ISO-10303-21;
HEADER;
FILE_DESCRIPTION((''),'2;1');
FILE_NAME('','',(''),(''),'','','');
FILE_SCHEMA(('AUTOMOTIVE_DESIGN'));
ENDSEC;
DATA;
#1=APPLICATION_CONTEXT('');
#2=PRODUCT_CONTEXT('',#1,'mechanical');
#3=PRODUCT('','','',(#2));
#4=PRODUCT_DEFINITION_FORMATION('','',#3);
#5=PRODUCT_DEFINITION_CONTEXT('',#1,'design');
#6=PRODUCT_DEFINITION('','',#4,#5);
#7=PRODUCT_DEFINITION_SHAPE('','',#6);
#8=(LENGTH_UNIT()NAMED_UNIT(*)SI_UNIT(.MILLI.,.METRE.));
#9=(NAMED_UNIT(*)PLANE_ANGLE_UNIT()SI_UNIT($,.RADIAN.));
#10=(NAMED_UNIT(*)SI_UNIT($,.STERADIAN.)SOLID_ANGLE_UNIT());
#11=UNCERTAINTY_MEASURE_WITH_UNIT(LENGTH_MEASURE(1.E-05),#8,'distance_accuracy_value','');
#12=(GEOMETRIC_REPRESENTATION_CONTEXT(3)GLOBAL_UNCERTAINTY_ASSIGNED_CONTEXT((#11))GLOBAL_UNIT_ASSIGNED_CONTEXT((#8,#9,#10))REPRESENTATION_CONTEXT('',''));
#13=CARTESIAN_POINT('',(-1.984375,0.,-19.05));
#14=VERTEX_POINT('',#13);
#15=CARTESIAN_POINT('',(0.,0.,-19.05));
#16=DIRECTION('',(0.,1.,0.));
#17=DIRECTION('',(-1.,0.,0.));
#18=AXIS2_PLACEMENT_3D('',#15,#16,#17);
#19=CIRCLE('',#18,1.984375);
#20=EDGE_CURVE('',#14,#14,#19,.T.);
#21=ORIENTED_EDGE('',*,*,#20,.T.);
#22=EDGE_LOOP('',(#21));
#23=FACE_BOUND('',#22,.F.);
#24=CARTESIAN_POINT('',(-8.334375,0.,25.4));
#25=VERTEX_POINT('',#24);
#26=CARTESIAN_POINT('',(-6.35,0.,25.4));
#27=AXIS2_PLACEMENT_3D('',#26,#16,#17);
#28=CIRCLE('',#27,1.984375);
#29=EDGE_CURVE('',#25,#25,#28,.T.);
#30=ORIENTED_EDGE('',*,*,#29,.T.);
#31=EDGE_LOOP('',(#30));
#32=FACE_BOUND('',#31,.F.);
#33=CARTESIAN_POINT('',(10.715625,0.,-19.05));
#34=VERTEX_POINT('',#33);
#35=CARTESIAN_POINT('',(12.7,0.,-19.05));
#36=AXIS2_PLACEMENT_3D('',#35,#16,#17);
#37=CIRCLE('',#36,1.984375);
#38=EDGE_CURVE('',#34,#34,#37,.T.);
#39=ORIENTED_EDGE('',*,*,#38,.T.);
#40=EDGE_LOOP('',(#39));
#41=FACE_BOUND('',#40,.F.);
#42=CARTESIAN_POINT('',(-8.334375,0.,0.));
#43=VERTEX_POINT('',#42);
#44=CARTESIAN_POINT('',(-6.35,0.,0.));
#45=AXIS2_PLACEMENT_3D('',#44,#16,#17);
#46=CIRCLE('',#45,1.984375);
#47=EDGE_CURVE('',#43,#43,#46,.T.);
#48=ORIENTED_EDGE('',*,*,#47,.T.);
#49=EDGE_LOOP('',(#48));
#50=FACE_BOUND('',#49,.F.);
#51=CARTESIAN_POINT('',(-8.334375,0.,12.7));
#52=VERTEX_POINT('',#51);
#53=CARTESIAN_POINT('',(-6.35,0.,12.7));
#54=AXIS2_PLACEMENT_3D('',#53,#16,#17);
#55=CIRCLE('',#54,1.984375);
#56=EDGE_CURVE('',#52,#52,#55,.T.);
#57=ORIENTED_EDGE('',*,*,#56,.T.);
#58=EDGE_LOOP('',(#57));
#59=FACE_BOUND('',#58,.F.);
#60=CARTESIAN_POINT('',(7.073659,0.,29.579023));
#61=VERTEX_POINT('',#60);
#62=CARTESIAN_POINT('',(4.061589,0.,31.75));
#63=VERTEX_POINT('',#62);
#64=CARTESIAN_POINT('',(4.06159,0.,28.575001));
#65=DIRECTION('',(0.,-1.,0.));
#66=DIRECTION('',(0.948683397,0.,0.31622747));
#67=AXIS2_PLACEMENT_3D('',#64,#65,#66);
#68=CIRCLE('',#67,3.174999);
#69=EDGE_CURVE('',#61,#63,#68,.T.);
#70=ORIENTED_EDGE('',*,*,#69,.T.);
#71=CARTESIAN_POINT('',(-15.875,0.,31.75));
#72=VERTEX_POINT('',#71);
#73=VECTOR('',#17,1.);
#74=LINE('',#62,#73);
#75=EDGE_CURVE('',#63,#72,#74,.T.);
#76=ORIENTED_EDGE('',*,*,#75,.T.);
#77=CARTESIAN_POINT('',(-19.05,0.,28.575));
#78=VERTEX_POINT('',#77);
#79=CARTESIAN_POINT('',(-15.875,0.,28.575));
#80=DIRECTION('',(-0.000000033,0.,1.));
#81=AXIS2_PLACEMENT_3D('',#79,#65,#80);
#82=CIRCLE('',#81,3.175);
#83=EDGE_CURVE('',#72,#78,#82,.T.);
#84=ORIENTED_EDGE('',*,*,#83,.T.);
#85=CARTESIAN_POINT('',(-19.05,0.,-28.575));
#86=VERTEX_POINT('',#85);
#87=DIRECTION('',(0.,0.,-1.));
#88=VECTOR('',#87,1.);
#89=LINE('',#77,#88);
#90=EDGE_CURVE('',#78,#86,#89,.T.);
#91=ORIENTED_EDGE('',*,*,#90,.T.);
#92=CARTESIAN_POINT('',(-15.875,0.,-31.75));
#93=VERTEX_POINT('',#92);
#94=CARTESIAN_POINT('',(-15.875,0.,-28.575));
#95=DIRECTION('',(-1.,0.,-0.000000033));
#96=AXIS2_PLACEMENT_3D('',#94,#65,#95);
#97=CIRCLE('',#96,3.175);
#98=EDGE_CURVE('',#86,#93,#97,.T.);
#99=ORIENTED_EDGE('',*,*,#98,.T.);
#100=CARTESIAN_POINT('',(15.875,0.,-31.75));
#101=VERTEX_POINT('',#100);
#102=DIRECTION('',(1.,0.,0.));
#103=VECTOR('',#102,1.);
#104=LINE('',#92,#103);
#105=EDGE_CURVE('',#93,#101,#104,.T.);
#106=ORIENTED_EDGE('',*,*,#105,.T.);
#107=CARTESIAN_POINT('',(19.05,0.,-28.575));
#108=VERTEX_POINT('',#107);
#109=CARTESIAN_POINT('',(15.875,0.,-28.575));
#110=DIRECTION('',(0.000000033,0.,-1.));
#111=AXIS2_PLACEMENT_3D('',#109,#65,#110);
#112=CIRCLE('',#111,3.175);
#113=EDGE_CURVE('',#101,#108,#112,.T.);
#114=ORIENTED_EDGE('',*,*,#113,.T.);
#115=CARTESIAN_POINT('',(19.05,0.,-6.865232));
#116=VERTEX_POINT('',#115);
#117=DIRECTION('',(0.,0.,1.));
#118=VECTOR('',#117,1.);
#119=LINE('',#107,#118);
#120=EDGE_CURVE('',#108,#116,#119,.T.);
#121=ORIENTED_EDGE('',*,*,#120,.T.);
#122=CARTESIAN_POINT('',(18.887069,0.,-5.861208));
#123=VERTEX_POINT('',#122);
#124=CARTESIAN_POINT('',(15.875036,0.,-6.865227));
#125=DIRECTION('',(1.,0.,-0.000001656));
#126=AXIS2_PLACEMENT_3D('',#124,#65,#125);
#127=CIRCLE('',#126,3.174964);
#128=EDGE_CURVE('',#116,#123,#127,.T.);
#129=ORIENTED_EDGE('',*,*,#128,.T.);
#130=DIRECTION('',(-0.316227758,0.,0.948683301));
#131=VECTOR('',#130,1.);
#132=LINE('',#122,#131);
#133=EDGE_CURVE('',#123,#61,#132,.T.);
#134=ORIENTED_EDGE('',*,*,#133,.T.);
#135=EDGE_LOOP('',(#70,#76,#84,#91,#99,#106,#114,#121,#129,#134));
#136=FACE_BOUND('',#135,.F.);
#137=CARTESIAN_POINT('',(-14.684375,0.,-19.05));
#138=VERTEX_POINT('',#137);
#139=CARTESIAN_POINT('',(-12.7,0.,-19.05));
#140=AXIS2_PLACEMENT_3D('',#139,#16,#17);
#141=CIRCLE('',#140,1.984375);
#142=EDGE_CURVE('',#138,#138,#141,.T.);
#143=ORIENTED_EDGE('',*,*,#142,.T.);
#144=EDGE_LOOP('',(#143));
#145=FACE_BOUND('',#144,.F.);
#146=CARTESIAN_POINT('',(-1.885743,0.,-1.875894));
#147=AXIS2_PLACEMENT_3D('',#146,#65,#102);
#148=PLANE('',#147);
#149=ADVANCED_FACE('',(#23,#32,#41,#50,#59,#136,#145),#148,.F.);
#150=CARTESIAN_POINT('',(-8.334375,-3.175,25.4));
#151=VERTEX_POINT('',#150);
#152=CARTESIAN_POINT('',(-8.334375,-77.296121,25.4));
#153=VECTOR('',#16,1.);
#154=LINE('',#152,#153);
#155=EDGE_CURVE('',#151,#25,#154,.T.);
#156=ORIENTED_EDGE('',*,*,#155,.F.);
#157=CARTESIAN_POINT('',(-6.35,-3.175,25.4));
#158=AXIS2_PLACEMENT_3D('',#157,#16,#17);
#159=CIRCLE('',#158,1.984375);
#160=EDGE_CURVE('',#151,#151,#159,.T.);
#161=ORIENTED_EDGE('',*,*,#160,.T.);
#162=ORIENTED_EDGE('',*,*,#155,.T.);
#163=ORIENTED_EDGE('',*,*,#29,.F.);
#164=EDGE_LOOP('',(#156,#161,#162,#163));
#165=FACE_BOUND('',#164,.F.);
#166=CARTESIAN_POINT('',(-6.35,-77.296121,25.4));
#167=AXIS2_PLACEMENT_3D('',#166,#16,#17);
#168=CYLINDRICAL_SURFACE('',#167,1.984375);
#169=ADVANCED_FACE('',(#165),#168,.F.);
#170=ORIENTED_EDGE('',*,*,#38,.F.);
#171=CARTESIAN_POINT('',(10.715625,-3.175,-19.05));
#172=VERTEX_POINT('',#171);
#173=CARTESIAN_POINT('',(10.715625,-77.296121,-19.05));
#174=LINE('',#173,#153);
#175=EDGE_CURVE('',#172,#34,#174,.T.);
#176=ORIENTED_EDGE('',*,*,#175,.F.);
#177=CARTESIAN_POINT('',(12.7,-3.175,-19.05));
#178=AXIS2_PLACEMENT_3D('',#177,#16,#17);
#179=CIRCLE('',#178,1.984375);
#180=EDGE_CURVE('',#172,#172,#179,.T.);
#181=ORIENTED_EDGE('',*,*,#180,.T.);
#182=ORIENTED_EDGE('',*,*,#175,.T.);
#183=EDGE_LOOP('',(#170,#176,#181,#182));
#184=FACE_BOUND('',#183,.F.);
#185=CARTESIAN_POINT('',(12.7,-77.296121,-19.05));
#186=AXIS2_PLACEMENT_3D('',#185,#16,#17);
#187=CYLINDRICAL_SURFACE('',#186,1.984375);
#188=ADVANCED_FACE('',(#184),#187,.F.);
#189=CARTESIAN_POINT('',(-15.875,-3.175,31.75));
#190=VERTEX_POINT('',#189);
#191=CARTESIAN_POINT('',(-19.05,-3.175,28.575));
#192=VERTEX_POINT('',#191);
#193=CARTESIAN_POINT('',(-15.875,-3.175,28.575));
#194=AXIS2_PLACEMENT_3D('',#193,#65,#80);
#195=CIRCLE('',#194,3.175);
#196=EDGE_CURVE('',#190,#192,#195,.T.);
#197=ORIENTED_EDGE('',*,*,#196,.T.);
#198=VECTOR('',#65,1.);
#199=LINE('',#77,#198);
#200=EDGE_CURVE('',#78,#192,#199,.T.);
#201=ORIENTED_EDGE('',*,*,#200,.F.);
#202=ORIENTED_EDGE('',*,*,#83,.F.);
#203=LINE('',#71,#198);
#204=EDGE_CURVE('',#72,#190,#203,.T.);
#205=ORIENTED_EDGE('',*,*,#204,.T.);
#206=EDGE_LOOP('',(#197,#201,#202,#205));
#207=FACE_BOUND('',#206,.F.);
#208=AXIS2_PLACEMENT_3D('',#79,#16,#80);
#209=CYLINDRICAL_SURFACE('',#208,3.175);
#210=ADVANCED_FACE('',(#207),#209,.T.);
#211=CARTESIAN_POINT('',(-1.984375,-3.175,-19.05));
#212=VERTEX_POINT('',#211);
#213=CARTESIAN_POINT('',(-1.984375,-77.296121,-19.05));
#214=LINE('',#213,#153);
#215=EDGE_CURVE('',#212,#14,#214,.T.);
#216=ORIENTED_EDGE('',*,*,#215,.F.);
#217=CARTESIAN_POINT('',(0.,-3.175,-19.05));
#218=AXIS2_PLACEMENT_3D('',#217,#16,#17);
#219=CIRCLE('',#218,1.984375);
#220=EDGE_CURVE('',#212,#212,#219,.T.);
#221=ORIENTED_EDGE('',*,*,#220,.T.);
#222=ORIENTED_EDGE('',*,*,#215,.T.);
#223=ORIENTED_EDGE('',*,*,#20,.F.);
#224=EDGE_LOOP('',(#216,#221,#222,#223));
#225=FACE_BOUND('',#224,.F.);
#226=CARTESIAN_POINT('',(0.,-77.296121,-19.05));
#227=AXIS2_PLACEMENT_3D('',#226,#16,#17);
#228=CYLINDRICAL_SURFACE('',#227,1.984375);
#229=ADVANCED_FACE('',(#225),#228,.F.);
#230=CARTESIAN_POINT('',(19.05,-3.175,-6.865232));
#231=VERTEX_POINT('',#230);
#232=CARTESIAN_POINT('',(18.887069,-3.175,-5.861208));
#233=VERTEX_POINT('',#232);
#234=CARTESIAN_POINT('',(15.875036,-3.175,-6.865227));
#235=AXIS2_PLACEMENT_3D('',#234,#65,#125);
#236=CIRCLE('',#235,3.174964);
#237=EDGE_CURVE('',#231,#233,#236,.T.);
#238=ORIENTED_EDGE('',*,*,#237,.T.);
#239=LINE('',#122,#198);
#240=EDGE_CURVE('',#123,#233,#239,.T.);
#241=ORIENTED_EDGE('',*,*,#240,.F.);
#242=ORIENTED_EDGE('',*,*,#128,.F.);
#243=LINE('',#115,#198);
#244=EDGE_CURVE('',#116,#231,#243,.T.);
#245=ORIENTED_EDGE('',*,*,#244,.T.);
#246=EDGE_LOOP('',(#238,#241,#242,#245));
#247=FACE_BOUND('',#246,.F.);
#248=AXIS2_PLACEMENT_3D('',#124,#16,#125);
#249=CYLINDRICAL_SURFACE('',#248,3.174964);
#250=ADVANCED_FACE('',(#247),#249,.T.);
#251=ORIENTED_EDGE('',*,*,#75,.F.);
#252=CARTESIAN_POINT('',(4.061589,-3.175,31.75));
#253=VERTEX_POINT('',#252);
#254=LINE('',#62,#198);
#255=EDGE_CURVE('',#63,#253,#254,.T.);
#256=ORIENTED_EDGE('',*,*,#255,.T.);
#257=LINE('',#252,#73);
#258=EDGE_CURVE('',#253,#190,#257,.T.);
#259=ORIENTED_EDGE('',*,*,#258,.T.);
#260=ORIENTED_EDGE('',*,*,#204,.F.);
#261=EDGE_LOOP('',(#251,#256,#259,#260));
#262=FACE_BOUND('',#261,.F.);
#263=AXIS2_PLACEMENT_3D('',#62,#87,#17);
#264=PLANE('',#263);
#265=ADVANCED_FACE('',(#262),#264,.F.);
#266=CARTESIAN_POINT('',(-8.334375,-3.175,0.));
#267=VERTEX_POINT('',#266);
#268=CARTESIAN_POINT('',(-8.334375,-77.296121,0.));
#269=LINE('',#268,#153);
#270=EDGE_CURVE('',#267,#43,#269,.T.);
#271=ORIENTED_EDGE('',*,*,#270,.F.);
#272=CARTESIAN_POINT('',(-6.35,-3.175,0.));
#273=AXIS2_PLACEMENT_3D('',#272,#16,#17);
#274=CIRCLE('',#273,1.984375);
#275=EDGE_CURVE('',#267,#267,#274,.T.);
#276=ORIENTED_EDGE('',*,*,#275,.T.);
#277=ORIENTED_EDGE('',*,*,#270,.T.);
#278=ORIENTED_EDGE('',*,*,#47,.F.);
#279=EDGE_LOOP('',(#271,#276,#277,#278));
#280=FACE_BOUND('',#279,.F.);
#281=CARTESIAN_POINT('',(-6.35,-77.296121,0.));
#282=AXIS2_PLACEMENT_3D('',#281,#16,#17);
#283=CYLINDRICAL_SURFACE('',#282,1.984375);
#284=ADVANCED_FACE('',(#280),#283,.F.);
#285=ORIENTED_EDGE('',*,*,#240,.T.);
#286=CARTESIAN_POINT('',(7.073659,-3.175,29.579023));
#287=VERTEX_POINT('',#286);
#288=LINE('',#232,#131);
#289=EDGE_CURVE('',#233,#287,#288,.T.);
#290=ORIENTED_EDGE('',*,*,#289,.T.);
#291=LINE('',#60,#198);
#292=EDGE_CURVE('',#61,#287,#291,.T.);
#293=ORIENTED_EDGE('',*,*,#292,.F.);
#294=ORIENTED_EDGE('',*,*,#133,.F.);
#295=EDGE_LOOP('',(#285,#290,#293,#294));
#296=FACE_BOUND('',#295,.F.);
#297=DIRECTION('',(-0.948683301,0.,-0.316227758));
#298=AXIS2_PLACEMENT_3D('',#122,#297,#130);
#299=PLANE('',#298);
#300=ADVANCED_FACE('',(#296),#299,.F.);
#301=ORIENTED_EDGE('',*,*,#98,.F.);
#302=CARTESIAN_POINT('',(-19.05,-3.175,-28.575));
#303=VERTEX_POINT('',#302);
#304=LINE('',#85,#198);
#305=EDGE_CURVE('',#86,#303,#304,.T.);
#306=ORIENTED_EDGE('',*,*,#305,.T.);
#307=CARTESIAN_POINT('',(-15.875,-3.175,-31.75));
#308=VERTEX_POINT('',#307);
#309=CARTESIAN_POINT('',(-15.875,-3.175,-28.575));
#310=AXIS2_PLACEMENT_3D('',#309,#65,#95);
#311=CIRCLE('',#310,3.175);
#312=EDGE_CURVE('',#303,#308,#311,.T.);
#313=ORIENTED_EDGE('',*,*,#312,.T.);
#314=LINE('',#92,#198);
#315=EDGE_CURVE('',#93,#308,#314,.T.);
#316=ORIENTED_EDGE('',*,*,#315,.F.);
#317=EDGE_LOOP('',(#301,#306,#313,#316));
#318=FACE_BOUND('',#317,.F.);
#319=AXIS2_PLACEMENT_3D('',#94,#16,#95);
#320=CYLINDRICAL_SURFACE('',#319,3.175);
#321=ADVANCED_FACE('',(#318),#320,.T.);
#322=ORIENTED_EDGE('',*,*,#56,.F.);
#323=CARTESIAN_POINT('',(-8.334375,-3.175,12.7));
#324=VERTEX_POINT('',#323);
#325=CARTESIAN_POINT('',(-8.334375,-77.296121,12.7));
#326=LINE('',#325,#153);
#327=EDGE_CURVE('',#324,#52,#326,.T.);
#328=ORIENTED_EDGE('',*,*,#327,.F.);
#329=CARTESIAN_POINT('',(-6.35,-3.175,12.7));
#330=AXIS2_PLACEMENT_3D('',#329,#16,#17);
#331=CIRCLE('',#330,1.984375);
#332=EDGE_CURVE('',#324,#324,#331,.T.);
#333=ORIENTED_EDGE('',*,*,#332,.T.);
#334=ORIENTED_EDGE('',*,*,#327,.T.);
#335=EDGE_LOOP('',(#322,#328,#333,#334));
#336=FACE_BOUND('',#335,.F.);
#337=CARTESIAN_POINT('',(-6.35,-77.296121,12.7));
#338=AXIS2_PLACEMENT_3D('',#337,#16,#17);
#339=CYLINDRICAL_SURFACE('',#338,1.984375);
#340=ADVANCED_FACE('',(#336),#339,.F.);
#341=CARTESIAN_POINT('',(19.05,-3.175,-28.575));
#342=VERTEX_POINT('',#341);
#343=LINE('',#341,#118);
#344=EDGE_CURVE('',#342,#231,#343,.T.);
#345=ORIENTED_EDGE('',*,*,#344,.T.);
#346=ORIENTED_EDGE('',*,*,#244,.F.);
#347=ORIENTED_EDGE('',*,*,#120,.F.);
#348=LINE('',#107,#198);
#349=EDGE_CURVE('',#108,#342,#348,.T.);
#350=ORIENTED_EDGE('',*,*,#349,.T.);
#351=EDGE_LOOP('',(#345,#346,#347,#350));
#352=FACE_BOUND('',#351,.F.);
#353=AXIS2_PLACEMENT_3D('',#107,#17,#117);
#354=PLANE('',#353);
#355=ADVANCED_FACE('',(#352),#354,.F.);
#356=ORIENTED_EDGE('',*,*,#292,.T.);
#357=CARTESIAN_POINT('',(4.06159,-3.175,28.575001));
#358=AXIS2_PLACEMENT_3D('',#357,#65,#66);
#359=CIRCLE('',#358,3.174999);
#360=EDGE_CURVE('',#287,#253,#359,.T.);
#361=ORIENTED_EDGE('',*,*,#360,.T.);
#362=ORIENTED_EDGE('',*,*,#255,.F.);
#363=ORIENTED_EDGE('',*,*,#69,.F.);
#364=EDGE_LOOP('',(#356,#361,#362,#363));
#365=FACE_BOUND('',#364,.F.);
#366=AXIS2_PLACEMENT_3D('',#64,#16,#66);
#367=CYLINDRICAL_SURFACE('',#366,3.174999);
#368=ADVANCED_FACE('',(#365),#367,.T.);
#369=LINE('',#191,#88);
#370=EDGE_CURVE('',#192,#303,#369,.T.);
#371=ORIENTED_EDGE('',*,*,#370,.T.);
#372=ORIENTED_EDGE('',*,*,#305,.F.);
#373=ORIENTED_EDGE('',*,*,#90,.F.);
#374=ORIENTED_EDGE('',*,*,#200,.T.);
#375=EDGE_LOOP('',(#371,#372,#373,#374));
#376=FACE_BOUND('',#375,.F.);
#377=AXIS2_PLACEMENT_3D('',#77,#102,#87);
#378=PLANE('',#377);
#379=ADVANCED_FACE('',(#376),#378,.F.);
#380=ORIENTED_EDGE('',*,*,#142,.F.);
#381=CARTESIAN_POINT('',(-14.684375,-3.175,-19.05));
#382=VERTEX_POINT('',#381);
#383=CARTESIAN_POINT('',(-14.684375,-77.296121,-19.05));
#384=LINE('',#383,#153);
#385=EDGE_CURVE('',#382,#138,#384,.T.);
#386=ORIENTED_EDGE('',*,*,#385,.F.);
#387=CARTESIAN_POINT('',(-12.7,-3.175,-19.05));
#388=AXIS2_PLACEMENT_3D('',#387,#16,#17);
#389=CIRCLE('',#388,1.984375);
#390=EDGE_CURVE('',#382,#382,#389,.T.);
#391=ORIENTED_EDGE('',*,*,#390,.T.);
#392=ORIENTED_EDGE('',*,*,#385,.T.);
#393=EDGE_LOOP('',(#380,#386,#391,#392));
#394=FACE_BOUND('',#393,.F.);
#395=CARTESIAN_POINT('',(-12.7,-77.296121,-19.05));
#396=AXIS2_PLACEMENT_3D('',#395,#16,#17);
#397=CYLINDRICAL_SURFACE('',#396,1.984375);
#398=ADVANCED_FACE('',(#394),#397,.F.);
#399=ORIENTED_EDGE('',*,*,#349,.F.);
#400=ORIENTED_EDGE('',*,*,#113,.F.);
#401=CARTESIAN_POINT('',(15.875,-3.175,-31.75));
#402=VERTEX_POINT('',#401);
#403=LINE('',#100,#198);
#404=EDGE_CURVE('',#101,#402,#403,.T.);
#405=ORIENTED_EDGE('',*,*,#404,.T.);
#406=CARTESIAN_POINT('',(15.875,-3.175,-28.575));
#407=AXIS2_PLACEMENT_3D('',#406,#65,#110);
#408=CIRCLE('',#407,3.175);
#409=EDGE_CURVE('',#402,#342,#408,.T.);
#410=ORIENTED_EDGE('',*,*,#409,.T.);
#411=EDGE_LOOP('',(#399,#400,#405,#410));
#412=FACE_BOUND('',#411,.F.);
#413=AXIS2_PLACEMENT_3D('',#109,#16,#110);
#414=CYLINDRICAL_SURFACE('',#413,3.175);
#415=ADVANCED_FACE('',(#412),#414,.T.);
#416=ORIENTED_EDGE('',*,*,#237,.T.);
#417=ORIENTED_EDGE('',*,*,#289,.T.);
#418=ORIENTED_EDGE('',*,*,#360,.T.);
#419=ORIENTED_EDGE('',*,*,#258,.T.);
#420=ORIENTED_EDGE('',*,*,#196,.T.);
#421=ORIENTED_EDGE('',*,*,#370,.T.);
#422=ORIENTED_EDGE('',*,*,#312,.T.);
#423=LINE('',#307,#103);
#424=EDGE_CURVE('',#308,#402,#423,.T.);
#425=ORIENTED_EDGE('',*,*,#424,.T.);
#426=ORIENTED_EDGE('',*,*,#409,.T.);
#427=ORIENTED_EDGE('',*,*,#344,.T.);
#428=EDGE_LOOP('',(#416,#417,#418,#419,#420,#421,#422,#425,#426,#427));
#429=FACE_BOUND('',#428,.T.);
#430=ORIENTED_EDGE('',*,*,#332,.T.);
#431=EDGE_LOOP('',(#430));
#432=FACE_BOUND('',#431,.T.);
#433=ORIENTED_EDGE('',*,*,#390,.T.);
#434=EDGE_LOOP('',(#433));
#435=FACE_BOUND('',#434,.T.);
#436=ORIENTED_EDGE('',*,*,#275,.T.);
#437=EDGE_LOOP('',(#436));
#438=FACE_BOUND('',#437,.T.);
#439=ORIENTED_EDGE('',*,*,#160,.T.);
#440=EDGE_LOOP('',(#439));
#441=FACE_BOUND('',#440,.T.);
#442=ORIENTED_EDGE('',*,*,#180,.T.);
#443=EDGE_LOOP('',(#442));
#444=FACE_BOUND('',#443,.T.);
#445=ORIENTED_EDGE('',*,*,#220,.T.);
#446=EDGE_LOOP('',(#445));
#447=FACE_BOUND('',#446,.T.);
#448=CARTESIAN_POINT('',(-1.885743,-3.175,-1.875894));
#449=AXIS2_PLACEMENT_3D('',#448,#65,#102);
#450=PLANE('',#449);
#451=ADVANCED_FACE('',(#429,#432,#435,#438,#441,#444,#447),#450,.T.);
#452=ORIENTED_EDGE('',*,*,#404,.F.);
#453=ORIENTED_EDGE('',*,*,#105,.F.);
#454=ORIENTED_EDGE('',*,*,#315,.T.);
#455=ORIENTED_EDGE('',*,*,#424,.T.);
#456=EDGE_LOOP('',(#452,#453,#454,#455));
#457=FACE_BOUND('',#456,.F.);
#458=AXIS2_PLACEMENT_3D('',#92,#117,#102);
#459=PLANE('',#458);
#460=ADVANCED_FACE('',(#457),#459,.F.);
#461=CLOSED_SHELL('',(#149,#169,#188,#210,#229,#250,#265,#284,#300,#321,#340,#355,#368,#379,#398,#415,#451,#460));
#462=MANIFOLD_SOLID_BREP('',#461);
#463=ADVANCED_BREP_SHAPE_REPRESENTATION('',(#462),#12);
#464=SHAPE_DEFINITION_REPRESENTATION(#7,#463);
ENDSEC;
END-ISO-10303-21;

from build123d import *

# Parameters (mm, degrees)
F1_DEPTH = 3.175
F3_D     = 3.96875


with BuildPart() as f1:
    # F0 (on Front) → F1 (new body)
    with BuildSketch(Plane.XZ):
        with BuildLine():
            ThreePointArc((7.073659, 29.579023), (5.918045, 31.150694), (4.061589, 31.75))
            Line((4.061589, 31.75), (-15.875, 31.75))
            ThreePointArc((-15.875, 31.75), (-18.120064, 30.820064), (-19.05, 28.575))
            Line((-19.05, 28.575), (-19.05, -28.575))
            ThreePointArc((-19.05, -28.575), (-18.120064, -30.820064), (-15.875, -31.75))
            Line((-15.875, -31.75), (15.875, -31.75))
            ThreePointArc((15.875, -31.75), (18.120064, -30.820064), (19.05, -28.575))
            Line((19.05, -28.575), (19.05, -6.865232))
            ThreePointArc((19.05, -6.865232), (19.009003, -6.356653), (18.887069, -5.861208))
            Line((18.887069, -5.861208), (7.073659, 29.579023))
        make_face()
    extrude(amount=F1_DEPTH)

    # F3 (through all)
    with Locations(Plane.XZ.offset(3.175)):
        with Locations((-6.35, 25.4), (-6.35, 12.7), (-6.35, 0), (-12.7, -19.05), (0, -19.05), (12.7, -19.05)):
            Hole(F3_D / 2)


solid = f1.part
